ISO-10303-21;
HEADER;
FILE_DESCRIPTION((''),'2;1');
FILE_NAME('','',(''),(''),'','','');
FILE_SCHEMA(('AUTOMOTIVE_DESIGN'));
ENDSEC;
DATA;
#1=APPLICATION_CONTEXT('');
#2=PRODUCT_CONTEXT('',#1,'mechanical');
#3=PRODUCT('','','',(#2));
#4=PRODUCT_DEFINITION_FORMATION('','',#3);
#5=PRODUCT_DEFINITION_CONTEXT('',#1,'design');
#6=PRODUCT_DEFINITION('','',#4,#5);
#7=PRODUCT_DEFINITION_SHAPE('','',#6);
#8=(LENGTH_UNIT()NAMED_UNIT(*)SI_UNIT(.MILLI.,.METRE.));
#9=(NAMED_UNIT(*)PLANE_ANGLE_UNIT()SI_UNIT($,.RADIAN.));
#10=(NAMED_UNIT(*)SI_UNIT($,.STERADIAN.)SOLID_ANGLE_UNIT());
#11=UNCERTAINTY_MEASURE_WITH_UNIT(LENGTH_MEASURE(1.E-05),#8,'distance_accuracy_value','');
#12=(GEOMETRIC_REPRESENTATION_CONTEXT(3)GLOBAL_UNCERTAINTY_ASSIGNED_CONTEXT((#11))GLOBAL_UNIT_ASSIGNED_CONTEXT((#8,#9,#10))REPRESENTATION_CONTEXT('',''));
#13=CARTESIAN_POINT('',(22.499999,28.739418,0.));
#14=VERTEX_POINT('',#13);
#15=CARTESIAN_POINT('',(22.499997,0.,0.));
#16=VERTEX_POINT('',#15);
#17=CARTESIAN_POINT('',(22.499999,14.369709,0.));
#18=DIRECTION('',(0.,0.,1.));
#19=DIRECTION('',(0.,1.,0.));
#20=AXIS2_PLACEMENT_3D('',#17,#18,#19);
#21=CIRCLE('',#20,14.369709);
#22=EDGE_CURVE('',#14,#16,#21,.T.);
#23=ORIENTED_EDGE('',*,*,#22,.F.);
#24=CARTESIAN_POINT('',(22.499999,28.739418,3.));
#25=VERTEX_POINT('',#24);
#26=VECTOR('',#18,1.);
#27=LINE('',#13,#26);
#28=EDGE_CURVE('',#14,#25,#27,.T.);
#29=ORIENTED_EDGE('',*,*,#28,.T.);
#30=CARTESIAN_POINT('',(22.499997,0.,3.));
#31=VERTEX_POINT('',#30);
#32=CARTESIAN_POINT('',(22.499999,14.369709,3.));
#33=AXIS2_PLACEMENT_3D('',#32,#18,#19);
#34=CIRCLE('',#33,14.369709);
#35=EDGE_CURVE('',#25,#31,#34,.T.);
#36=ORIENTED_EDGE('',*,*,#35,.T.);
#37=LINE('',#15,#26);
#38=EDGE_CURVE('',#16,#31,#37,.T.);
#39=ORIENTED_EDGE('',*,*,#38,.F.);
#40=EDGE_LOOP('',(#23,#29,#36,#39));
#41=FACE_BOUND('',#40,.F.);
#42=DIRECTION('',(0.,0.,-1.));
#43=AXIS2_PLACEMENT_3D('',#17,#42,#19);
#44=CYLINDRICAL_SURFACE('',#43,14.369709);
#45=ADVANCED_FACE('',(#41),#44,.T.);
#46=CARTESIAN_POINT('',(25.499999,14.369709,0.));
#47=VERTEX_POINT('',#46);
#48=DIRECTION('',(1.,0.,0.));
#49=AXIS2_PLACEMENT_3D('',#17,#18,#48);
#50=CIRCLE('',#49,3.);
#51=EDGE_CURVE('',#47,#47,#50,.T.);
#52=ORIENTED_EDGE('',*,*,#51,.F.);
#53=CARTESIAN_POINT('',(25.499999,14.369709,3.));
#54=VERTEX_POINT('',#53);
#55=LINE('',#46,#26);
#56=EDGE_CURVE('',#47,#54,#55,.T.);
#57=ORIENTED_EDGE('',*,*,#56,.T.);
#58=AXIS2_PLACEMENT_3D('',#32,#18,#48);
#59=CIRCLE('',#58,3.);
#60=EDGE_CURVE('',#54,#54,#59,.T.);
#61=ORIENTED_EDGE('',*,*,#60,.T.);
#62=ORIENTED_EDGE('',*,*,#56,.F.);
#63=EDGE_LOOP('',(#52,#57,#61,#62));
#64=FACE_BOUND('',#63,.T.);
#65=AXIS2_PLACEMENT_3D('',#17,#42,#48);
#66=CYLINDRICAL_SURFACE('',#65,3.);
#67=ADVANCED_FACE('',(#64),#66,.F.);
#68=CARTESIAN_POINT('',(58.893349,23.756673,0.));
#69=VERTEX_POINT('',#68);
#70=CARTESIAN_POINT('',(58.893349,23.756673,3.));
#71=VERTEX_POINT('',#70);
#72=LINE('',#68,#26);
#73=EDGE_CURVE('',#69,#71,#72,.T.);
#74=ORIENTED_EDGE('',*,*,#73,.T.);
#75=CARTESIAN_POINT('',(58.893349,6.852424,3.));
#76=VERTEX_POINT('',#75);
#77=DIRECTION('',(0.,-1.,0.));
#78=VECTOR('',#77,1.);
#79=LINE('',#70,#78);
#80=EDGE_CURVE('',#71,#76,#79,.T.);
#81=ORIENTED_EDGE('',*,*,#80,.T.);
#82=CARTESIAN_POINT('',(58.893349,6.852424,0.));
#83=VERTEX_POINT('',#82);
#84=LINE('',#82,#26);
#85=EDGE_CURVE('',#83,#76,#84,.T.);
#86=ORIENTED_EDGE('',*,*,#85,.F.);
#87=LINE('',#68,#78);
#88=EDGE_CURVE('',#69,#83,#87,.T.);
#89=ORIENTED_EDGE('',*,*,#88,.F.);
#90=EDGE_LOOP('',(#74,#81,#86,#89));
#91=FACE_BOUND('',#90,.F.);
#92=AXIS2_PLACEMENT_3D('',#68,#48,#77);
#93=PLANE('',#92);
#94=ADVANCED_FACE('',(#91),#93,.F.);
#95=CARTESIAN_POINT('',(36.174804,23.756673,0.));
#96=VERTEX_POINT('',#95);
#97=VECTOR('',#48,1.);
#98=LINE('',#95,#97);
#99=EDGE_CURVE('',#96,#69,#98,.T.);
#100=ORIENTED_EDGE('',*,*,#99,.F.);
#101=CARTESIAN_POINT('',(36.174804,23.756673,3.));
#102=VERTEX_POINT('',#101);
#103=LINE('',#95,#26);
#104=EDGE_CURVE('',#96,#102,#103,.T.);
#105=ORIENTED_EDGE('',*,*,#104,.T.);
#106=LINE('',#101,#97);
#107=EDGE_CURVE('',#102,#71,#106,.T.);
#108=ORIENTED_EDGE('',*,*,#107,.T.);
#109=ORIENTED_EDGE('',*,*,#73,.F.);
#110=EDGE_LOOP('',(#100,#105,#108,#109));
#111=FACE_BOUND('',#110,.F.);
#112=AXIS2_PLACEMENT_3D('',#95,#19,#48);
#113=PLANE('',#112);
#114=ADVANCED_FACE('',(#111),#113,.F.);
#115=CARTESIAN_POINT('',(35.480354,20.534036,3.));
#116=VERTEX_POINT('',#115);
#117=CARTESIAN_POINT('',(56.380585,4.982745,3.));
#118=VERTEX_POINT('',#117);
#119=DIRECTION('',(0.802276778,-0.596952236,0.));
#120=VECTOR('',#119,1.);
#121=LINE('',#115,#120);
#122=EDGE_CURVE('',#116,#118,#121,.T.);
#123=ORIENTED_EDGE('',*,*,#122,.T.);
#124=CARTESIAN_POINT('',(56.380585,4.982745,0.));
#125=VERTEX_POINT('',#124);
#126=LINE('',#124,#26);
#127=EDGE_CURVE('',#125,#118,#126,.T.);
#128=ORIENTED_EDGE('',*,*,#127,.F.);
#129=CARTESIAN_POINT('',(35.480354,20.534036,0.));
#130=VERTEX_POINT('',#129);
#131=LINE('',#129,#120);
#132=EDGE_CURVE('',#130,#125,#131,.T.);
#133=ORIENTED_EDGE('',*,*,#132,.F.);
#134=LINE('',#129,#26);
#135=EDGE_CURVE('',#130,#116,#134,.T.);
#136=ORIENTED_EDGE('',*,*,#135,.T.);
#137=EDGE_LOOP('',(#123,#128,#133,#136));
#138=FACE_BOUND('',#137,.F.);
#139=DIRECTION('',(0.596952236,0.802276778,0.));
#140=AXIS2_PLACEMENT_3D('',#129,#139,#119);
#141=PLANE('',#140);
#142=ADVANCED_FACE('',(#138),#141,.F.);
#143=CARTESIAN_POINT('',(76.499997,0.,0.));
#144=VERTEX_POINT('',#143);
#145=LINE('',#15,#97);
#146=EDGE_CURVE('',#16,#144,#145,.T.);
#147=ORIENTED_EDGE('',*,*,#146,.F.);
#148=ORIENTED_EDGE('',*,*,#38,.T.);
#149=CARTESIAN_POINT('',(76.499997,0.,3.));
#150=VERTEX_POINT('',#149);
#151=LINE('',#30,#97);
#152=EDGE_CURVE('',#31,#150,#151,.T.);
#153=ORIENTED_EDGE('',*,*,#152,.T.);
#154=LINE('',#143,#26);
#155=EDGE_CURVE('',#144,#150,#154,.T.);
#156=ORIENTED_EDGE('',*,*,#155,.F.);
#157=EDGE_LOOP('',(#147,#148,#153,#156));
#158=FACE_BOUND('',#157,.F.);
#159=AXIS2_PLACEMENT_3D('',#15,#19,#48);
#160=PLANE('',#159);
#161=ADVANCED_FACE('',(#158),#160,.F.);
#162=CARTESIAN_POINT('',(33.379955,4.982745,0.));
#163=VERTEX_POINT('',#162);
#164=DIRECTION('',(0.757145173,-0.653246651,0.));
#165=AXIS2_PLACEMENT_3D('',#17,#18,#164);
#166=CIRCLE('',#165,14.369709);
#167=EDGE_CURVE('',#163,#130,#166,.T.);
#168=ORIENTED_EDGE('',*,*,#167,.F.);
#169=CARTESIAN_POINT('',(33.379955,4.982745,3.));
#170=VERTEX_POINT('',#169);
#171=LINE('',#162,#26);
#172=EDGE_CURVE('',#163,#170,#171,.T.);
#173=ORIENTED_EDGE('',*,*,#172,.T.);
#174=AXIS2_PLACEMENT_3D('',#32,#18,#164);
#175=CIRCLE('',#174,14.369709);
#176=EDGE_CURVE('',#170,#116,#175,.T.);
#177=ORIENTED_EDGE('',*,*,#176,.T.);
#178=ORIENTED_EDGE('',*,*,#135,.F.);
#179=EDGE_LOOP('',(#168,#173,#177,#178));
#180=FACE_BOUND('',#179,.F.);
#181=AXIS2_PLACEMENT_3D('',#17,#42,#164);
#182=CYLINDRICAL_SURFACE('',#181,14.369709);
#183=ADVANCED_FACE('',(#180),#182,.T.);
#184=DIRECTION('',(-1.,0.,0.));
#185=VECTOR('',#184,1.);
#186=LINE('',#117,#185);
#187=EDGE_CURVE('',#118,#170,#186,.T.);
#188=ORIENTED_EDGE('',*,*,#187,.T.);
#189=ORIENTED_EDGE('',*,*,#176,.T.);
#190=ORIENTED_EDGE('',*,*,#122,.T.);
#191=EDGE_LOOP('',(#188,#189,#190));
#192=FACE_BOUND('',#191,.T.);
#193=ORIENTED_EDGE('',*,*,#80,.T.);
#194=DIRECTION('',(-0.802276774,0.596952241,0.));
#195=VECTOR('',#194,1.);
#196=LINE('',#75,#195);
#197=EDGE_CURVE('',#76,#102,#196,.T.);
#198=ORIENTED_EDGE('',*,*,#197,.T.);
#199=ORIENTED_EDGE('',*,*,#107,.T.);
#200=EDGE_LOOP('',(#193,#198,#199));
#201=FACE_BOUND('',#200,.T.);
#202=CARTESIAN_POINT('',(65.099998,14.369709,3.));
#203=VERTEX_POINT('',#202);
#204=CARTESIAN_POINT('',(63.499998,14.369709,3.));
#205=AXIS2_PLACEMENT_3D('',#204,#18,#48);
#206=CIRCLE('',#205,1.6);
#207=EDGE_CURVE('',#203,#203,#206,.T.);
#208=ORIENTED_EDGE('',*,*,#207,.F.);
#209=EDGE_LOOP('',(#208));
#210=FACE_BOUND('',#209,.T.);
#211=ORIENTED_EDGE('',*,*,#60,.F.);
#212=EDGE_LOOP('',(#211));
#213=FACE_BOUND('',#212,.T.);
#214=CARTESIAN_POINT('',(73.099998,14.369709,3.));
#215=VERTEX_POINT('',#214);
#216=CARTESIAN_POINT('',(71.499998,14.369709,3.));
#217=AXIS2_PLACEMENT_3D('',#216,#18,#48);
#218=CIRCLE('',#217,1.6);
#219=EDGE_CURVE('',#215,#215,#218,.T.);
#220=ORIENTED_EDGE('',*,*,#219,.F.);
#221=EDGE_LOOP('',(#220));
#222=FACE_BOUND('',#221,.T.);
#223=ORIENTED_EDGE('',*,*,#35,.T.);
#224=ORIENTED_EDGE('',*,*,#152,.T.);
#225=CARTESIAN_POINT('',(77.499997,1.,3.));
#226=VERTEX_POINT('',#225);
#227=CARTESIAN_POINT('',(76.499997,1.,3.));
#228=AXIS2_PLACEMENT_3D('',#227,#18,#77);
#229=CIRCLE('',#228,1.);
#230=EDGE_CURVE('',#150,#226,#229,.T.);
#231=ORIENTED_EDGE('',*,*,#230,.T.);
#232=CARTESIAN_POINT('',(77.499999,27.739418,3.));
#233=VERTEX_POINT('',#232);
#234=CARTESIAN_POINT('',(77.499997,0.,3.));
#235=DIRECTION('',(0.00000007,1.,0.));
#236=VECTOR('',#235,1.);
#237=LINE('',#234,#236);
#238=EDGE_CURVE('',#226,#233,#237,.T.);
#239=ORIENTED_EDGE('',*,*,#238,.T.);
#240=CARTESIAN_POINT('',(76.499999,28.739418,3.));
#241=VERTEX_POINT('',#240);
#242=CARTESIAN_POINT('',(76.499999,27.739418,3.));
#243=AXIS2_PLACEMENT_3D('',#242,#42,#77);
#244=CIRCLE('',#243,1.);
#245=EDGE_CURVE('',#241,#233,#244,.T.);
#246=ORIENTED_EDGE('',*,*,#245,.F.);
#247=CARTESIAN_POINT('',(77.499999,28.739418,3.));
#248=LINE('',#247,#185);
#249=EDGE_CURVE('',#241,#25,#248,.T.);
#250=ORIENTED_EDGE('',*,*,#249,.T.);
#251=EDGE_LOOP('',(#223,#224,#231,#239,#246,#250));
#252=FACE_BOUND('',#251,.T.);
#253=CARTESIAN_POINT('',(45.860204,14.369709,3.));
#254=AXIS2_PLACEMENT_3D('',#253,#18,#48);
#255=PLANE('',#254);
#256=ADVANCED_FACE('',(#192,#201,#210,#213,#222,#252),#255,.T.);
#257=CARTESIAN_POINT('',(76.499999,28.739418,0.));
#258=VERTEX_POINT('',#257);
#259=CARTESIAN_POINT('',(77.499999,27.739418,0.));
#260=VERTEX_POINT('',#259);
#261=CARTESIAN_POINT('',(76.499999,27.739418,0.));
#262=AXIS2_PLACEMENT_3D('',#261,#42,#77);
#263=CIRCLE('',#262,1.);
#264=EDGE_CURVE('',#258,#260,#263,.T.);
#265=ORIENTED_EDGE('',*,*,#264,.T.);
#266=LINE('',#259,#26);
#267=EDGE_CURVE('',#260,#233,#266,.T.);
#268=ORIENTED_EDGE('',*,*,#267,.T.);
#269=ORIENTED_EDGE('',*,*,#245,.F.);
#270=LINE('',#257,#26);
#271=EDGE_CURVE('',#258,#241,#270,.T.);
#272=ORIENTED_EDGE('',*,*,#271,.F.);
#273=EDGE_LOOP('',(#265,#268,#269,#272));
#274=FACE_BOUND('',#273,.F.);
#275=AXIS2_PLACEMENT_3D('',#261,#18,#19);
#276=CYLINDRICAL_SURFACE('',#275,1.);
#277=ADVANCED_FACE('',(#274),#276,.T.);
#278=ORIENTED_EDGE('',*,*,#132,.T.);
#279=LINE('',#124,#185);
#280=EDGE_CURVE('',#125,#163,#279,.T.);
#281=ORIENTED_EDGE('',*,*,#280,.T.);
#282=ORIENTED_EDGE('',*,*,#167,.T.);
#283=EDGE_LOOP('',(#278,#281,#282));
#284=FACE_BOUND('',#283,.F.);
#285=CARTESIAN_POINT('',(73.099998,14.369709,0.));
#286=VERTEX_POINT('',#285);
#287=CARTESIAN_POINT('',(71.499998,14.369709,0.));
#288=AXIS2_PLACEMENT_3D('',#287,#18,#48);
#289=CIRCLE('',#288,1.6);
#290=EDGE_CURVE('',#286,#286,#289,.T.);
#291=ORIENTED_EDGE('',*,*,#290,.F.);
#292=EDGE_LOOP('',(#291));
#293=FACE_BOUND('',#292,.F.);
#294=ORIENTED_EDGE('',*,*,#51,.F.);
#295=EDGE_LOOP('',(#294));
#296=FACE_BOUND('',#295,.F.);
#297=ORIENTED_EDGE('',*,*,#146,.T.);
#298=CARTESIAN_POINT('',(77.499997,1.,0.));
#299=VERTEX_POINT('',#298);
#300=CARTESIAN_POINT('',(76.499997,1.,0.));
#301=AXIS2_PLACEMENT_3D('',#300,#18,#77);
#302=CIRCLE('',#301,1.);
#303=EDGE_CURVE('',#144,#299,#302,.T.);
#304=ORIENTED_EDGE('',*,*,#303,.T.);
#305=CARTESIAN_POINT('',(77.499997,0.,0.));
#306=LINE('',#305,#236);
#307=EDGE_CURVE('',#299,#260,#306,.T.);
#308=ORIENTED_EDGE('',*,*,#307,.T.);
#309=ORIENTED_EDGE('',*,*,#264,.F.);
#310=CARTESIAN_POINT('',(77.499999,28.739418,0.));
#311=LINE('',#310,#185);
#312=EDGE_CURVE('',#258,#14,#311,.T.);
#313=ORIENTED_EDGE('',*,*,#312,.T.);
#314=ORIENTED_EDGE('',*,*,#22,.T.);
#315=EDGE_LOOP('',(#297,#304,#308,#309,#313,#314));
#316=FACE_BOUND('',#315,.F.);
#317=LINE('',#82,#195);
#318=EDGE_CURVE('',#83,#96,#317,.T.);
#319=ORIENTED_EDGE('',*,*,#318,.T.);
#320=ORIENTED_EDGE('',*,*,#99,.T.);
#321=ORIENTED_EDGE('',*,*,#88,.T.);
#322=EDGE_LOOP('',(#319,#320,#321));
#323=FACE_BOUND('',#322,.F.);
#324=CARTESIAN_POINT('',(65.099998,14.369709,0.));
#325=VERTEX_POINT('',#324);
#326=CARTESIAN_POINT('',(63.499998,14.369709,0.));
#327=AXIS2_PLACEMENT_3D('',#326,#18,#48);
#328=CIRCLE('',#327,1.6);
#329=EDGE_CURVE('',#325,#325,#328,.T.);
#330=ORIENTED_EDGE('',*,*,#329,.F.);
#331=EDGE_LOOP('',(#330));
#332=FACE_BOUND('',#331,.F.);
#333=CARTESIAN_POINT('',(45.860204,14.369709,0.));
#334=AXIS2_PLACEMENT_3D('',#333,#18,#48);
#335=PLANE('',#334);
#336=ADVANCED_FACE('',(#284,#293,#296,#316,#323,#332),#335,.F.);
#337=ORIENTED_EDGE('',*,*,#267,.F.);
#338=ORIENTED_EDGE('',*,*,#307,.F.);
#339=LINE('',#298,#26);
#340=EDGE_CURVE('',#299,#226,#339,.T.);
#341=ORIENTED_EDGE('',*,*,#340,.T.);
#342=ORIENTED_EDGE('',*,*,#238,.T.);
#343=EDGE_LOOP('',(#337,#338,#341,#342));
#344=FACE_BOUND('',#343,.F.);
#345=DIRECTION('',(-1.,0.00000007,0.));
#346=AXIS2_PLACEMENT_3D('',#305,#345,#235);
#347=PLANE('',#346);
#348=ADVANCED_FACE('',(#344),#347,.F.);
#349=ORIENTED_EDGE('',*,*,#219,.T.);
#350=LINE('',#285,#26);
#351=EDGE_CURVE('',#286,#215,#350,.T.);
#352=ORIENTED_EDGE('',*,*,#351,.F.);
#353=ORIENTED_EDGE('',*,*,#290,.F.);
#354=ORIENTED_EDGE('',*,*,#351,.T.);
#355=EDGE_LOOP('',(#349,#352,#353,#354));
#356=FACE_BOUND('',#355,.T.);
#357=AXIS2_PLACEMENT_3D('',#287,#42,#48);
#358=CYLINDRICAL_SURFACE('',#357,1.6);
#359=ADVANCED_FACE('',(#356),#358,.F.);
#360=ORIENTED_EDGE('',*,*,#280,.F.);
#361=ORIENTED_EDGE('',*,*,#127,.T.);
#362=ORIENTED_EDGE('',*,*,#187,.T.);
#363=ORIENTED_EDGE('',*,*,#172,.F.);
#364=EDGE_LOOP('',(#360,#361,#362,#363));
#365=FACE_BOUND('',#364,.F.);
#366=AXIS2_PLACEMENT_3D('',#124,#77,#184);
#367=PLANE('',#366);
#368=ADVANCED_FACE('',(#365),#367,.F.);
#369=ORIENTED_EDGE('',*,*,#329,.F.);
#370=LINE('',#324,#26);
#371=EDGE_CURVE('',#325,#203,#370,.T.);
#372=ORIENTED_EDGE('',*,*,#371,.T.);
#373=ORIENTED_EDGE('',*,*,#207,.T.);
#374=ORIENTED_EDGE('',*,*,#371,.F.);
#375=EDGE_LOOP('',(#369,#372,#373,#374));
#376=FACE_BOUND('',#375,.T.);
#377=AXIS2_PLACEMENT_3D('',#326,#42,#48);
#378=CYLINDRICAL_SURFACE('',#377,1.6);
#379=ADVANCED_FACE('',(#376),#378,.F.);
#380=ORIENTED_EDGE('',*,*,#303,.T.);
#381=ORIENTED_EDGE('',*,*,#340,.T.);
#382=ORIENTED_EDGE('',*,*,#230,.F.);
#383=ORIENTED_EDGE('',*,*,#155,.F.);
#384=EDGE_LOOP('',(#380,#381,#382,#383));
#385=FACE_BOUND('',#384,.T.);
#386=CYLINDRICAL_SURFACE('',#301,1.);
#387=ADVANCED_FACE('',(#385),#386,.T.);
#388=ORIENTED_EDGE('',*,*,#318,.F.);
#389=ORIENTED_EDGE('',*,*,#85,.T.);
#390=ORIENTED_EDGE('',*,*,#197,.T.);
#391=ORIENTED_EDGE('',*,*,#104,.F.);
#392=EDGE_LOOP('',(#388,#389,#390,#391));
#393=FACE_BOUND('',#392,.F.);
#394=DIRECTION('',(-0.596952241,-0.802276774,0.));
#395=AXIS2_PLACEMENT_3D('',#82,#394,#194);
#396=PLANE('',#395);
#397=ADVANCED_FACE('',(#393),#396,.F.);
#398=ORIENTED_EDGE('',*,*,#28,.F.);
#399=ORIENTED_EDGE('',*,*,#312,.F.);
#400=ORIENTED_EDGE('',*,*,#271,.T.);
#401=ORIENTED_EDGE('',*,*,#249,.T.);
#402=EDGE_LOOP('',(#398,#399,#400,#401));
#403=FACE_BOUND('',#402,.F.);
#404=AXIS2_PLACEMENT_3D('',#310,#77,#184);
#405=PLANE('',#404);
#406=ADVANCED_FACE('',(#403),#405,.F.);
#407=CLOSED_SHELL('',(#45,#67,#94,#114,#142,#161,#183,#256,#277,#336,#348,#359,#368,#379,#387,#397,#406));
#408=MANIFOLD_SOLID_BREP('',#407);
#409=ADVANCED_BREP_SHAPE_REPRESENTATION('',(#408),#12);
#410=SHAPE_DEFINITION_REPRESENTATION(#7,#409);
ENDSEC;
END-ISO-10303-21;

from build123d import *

# Parameters (mm, degrees)
F0_R     = 3
F0_R_2   = 1.6
F1_DEPTH = 3
F2_R     = 1


with BuildPart() as f1:
    # F0 (on Top) → F1 (new body)
    with BuildSketch(Plane.XY):
        with BuildLine():
            ThreePointArc((22.499999, 28.739418), (8.13029, 14.36971), (22.499997, 0))
            Line((22.499997, 0), (77.499997, 0))
            Line((77.499997, 0), (77.499999, 28.739418))
            Line((77.499999, 28.739418), (22.499999, 28.739418))
        make_face()
        with Locations((22.499999, 14.369709)):
            Circle(F0_R, mode=Mode.SUBTRACT)
        with BuildLine():
            Line((35.480354, 20.534036), (56.380585, 4.982745))
            Line((56.380585, 4.982745), (33.379955, 4.982745))
            ThreePointArc((33.379955, 4.982745), (36.740409, 12.446362), (35.480354, 20.534036))
        make_face(mode=Mode.SUBTRACT)
        with Locations((63.499998, 14.369709)):
            Circle(F0_R_2, mode=Mode.SUBTRACT)
        with Locations((71.499998, 14.369709)):
            Circle(F0_R_2, mode=Mode.SUBTRACT)
        Polygon((36.174804, 23.756673), (58.893349, 23.756673), (58.893349, 6.852424), align=None, mode=Mode.SUBTRACT)
    extrude(amount=F1_DEPTH)

    # F2
    f2_edges = [f1.edges().sort_by_distance(p)[0] for p in [
        (77.499997, 0, 1.5),
        (77.499999, 28.739418, 1.5),
    ]]
    fillet(f2_edges, radius=F2_R)


solid = f1.part
